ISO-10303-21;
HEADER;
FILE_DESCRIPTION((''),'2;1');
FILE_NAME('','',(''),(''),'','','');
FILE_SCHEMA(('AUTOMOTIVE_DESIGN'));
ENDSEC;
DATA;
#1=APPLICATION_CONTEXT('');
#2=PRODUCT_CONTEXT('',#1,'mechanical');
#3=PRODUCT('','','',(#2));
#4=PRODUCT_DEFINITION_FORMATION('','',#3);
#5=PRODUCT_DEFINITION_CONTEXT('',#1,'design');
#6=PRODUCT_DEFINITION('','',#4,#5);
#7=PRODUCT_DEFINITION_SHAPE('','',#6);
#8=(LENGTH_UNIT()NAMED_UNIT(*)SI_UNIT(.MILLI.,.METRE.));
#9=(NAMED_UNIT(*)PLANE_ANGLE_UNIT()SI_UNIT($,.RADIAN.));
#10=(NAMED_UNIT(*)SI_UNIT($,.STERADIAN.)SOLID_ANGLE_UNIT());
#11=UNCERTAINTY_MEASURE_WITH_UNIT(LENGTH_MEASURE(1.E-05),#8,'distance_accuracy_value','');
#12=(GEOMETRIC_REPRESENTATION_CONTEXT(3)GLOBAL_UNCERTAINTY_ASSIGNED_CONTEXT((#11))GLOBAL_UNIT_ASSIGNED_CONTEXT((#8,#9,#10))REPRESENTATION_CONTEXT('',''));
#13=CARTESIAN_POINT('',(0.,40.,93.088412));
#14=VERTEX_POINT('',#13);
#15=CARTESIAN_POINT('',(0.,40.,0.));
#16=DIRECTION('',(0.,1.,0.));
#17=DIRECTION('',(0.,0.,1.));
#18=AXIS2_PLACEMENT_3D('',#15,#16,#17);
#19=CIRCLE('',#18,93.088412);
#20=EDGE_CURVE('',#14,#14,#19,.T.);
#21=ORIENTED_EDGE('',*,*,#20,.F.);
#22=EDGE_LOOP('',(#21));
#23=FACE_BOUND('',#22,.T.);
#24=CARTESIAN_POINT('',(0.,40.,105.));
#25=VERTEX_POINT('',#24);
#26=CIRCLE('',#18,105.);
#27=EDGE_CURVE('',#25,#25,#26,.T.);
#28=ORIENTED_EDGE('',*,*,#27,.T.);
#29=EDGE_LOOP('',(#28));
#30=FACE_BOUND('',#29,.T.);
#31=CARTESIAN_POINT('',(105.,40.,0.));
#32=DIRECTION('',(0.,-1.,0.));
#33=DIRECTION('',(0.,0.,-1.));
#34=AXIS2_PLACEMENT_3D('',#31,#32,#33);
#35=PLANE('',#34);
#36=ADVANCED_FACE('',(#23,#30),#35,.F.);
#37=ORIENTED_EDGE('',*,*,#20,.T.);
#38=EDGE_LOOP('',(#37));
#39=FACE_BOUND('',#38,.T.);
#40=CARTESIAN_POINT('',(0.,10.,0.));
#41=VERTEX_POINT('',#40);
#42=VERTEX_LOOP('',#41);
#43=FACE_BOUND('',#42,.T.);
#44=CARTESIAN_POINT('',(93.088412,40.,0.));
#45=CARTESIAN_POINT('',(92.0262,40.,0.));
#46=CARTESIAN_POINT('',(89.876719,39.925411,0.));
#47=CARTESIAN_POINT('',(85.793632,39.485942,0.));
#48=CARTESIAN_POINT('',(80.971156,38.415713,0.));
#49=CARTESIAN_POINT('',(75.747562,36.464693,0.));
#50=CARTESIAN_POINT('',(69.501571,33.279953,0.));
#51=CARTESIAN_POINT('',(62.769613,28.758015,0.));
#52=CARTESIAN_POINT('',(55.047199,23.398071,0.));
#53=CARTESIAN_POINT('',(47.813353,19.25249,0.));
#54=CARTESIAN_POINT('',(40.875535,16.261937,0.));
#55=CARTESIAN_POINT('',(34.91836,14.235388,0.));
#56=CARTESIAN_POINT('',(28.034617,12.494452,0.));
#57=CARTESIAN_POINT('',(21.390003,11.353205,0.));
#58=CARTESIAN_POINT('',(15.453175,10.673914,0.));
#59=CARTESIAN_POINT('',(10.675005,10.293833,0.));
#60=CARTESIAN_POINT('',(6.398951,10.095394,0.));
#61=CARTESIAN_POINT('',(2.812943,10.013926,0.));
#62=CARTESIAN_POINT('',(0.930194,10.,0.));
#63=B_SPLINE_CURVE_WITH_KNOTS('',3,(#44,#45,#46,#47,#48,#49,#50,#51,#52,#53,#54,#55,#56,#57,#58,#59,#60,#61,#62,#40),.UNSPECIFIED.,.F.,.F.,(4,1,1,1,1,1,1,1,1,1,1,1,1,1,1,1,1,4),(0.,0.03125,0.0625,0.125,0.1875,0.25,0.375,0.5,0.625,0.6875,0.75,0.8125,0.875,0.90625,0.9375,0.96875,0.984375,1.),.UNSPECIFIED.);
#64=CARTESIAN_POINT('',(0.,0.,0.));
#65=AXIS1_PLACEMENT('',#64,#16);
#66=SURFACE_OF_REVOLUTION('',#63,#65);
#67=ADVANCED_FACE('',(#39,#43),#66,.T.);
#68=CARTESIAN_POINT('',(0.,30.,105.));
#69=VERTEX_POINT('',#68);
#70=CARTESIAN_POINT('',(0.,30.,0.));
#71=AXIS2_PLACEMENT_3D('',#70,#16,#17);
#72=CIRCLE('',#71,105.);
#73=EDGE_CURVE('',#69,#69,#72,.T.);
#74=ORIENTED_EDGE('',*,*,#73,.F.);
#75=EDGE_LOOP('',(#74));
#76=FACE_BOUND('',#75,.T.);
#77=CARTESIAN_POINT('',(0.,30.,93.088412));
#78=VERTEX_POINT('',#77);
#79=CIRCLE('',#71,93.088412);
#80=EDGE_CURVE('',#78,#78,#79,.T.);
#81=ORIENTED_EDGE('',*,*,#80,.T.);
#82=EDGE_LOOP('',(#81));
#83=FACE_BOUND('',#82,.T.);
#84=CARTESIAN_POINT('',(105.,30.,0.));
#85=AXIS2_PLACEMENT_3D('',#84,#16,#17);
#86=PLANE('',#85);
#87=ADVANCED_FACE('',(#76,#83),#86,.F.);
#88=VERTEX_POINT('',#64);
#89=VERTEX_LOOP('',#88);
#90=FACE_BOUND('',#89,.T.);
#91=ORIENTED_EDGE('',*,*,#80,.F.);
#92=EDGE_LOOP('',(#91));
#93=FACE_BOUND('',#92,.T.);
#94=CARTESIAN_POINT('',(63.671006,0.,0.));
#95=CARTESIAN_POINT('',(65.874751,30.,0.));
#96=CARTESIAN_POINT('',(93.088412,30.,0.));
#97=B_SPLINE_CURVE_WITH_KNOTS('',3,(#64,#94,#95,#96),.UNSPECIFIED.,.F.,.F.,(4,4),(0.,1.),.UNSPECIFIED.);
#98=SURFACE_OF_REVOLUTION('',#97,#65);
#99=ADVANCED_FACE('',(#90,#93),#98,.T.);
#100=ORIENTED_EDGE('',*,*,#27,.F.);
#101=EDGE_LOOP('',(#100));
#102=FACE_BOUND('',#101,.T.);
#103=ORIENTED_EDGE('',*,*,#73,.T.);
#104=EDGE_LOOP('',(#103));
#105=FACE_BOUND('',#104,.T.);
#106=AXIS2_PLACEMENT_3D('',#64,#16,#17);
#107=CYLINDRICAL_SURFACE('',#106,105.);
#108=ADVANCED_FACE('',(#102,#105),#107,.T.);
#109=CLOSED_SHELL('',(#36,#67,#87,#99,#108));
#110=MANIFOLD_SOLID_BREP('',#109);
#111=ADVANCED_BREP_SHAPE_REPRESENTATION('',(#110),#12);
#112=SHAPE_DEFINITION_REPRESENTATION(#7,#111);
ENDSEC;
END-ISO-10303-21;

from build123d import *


with BuildPart() as part:
    # Esquisse1 → Révolution1 (revolve)
    with BuildSketch(Plane.XY, mode=Mode.PRIVATE) as r_volution1_sk:
        with BuildLine():
            Line((105, 30), (105, 40))
            Line((105, 40), (93.088412426, 40))
            add(Edge.make_bspline(
                [(0, 10), (0.930194341, 10), (2.812942981, 10.013925993), (6.398950661, 10.095393794), (10.675004764, 10.293832807), (15.453174691, 10.673913572), (21.390002578, 11.353205029), (28.034617451, 12.494451998), (34.918360171, 14.235387817), (40.875534638, 16.26193706), (47.813353179, 19.252490211), (55.047199045, 23.398071324), (62.769613372, 28.758014608), (69.501570981, 33.279952626), (75.747561697, 36.464692845), (80.971155824, 38.415712992), (85.793632468, 39.485941654), (89.876719226, 39.925411017), (92.026199619, 40), (93.088412426, 40)],
                knots=[0, 0, 0, 0, 0.015625, 0.03125, 0.0625, 0.09375, 0.125, 0.1875, 0.25, 0.3125, 0.375, 0.5, 0.625, 0.75, 0.8125, 0.875, 0.9375, 0.96875, 1, 1, 1, 1], degree=3))
            Line((0, 10), (0, 0))
            add(Edge.make_bspline(
                [(0, 0), (63.671005594, 0), (65.874750563, 30), (93.088412426, 30)],
                knots=[0, 0, 0, 0, 1, 1, 1, 1], degree=3))
            Line((93.088412426, 30), (105, 30))
        make_face()
    revolve(r_volution1_sk.sketch.rotate(Axis((0, 0, 0), (0, -1, 0)), 90), axis=Axis((0, 0, 0), (0, -1, 0)))


solid = part.part
